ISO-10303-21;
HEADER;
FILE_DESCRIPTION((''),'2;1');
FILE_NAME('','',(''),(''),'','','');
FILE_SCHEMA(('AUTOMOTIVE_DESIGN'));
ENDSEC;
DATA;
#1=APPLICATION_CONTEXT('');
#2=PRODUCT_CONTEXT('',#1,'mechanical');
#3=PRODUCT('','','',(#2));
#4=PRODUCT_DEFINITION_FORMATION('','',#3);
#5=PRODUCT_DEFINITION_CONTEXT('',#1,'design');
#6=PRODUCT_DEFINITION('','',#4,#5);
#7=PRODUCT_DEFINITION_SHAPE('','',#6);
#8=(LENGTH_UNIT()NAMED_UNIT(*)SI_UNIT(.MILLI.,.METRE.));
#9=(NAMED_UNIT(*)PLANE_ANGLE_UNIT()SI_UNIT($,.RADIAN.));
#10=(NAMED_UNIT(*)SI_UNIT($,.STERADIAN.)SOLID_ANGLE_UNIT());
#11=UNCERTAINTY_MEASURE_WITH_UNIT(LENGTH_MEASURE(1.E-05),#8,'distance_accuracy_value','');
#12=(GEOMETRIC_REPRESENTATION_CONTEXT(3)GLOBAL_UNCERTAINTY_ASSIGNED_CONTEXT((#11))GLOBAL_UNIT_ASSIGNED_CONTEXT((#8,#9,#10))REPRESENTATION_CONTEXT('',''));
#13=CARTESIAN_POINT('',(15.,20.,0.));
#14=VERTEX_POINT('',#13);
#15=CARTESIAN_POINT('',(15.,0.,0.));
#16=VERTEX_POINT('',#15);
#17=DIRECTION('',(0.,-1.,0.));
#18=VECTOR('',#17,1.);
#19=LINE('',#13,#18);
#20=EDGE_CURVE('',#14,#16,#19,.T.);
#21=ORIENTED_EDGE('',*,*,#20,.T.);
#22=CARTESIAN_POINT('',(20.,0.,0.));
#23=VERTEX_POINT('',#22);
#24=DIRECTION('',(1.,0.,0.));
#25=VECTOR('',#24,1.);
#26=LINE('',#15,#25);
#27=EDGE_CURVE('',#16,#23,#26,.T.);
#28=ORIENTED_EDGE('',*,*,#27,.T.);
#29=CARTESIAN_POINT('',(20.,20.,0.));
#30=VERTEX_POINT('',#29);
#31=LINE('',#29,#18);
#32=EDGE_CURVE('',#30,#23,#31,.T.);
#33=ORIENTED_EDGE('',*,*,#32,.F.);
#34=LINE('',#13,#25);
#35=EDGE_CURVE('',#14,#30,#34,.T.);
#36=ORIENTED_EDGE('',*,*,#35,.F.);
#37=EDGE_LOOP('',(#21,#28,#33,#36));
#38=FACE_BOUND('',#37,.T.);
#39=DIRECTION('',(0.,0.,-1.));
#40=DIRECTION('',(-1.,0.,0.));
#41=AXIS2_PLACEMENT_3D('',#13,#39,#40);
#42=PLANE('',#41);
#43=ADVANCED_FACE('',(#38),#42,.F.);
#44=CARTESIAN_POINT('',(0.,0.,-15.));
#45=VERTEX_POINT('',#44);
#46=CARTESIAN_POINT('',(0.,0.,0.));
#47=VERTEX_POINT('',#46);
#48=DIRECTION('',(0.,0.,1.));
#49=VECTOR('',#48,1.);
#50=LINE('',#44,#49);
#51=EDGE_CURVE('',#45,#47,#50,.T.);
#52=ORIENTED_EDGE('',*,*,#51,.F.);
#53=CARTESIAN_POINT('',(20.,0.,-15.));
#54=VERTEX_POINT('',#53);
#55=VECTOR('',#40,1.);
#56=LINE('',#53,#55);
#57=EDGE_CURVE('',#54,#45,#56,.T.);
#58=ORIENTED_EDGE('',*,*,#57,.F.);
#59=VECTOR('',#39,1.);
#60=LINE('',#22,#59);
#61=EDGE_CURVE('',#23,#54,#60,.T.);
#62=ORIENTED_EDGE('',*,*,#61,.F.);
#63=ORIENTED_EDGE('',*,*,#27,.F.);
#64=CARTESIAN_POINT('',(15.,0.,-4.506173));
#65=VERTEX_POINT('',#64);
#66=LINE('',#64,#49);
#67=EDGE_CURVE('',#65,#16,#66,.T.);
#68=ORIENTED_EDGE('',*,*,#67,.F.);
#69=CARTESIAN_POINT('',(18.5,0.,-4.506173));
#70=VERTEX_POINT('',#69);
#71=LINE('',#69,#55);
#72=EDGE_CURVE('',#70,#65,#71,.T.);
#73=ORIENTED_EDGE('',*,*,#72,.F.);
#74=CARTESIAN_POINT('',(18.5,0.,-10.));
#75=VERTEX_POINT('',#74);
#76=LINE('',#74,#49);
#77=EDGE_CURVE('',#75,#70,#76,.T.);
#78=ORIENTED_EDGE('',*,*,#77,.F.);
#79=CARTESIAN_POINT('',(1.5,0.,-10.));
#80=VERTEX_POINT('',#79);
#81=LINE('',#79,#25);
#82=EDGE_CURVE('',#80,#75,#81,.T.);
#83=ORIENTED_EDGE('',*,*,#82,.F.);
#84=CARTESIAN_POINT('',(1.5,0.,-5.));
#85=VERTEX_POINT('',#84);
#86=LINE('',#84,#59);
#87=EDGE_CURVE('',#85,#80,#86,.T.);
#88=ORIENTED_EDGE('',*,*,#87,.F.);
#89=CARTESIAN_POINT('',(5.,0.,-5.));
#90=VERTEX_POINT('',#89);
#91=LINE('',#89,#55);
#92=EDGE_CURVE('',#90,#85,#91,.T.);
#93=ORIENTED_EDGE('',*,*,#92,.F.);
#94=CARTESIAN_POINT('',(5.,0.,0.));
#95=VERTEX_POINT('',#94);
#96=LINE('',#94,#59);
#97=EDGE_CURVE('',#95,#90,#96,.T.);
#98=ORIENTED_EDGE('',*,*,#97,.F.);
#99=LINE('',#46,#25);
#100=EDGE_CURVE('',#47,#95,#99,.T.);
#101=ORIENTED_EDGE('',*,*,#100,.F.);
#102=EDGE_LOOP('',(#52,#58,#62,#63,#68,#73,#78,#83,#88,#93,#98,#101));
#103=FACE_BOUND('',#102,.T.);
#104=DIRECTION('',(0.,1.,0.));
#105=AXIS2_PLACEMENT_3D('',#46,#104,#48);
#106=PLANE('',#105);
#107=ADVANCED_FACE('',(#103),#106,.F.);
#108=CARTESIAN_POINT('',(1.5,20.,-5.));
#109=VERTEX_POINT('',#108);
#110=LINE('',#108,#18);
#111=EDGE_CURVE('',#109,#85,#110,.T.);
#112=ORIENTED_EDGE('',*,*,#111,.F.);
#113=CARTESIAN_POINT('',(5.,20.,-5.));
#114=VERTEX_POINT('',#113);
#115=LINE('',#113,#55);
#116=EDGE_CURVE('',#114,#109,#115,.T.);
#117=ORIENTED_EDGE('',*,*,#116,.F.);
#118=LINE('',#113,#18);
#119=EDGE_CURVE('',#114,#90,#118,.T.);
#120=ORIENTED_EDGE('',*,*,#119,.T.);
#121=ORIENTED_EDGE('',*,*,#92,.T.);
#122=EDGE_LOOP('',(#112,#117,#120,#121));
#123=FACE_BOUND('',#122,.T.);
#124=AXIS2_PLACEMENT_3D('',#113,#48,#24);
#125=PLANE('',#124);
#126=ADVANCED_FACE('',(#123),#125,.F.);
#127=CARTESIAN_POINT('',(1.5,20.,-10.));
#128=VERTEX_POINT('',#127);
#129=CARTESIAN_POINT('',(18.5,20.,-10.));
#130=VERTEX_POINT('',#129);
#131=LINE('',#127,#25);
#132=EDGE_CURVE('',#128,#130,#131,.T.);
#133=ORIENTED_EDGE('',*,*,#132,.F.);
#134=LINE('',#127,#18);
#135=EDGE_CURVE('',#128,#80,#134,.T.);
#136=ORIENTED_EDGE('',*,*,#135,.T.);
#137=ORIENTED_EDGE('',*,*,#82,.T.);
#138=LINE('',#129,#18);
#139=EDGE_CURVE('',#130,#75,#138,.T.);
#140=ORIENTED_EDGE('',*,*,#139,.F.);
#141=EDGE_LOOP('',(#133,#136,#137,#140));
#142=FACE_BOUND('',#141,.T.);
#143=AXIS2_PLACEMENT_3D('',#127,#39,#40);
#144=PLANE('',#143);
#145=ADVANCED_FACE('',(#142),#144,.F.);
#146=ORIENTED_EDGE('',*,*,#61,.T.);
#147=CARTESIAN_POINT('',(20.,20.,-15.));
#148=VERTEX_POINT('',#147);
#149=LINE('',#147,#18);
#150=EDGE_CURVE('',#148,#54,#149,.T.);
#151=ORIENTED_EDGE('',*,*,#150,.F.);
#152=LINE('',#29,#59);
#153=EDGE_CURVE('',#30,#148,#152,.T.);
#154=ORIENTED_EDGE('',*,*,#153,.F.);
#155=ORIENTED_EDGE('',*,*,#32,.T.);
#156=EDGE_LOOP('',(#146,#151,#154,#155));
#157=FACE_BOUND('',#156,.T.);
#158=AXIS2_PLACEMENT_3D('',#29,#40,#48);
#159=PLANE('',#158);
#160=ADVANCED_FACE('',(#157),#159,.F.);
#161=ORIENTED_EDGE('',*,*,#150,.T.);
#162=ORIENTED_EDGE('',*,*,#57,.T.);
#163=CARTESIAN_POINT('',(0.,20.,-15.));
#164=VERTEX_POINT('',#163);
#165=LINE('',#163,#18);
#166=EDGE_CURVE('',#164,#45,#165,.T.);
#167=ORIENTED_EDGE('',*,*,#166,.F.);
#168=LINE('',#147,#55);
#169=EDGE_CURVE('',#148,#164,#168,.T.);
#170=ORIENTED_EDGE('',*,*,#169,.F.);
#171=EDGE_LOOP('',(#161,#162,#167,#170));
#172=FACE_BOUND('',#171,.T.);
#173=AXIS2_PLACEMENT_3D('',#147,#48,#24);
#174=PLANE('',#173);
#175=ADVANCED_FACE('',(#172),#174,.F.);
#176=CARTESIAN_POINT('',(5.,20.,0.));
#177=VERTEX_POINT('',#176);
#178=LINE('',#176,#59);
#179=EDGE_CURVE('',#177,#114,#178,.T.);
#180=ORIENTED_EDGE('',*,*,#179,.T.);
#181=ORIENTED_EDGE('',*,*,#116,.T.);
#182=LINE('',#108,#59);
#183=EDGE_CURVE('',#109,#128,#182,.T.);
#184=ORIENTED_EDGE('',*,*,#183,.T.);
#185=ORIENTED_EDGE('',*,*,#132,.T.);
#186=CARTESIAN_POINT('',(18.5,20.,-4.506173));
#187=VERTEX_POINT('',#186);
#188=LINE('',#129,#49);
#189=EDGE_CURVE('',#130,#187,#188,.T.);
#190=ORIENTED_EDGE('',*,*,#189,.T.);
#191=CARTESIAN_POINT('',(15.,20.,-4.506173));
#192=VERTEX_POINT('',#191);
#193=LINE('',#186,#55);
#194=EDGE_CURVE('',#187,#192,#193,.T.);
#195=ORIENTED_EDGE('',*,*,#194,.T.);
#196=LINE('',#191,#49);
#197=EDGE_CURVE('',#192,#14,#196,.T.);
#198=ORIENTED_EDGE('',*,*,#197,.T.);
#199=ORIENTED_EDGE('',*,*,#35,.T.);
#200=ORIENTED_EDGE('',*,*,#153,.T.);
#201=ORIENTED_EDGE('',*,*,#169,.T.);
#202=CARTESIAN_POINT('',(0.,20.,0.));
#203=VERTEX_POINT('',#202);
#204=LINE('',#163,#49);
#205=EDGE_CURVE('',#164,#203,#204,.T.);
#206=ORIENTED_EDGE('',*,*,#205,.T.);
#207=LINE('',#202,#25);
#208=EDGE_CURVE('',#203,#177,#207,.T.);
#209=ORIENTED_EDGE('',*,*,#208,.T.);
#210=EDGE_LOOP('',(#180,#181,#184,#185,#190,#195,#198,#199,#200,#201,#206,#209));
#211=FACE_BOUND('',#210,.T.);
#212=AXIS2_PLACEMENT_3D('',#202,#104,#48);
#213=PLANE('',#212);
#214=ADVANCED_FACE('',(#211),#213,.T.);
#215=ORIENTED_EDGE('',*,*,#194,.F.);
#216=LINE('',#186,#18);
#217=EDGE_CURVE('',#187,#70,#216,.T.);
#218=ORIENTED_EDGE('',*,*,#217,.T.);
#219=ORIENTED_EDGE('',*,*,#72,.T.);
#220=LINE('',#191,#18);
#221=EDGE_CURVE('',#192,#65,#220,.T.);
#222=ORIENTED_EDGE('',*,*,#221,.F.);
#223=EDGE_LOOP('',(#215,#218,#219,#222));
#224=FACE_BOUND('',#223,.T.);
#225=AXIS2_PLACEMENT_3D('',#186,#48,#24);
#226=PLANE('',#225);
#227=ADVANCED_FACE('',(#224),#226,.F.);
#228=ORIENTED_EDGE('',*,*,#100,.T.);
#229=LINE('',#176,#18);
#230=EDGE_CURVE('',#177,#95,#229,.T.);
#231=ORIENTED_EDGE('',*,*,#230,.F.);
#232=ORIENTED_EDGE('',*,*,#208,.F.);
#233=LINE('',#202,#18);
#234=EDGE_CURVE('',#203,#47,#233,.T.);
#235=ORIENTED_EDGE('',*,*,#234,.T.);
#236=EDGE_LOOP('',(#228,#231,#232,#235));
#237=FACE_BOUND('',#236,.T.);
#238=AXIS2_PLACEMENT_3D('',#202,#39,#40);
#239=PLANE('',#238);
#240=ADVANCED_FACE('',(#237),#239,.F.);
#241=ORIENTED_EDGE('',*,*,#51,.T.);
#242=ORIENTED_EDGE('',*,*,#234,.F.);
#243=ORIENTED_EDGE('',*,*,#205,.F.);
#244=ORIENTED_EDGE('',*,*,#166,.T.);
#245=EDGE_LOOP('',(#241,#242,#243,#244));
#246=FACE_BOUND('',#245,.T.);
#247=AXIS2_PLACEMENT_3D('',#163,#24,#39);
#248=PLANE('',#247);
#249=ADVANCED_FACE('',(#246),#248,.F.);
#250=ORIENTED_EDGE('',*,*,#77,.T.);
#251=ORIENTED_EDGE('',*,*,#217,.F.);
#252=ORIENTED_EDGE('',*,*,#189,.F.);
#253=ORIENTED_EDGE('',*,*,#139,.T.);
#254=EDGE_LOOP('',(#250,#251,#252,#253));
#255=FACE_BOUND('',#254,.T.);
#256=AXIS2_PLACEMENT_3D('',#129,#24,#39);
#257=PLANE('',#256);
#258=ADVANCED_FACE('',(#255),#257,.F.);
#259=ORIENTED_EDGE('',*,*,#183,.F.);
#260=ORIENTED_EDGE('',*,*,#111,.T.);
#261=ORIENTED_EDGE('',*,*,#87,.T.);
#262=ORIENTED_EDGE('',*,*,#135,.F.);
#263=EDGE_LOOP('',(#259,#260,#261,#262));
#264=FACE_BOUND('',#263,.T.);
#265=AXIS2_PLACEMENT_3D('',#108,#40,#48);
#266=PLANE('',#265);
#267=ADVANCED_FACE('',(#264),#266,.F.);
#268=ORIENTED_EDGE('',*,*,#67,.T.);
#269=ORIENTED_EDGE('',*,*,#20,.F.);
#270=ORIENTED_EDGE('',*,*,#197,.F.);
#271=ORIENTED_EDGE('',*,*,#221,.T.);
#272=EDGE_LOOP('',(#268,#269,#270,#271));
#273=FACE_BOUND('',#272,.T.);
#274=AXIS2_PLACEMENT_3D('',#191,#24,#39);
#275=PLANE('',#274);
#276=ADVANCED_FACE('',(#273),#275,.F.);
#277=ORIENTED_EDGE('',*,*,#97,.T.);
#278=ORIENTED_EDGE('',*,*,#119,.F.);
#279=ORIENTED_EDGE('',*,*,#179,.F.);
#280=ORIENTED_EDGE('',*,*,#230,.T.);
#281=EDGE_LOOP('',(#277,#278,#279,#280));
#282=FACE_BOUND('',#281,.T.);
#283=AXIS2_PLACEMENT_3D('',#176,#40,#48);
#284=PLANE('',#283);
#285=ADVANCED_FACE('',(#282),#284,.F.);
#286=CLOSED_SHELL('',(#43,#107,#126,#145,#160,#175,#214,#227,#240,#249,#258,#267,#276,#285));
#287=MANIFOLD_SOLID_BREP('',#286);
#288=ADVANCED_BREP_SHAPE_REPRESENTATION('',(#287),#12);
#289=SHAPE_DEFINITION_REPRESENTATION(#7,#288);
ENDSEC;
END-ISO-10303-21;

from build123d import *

# Parameters (mm, degrees)
EXTRUDE_1_DEPTH = 20


with BuildPart() as part:
    # 草图4 → 凸台-拉伸1 (new body)
    with BuildSketch(Plane(origin=(0, 0, 0), x_dir=(1, 0, 0), z_dir=(0, 1, 0))):
        Polygon((0, 0), (5, 0), (5, 5), (1.5, 5), (1.5, 10), (18.5, 10), (18.5, 4.50617284), (15, 4.50617284), (15, 0), (20, 0), (20, 15), (0, 15), align=None)
    extrude(amount=EXTRUDE_1_DEPTH)


solid = part.part
